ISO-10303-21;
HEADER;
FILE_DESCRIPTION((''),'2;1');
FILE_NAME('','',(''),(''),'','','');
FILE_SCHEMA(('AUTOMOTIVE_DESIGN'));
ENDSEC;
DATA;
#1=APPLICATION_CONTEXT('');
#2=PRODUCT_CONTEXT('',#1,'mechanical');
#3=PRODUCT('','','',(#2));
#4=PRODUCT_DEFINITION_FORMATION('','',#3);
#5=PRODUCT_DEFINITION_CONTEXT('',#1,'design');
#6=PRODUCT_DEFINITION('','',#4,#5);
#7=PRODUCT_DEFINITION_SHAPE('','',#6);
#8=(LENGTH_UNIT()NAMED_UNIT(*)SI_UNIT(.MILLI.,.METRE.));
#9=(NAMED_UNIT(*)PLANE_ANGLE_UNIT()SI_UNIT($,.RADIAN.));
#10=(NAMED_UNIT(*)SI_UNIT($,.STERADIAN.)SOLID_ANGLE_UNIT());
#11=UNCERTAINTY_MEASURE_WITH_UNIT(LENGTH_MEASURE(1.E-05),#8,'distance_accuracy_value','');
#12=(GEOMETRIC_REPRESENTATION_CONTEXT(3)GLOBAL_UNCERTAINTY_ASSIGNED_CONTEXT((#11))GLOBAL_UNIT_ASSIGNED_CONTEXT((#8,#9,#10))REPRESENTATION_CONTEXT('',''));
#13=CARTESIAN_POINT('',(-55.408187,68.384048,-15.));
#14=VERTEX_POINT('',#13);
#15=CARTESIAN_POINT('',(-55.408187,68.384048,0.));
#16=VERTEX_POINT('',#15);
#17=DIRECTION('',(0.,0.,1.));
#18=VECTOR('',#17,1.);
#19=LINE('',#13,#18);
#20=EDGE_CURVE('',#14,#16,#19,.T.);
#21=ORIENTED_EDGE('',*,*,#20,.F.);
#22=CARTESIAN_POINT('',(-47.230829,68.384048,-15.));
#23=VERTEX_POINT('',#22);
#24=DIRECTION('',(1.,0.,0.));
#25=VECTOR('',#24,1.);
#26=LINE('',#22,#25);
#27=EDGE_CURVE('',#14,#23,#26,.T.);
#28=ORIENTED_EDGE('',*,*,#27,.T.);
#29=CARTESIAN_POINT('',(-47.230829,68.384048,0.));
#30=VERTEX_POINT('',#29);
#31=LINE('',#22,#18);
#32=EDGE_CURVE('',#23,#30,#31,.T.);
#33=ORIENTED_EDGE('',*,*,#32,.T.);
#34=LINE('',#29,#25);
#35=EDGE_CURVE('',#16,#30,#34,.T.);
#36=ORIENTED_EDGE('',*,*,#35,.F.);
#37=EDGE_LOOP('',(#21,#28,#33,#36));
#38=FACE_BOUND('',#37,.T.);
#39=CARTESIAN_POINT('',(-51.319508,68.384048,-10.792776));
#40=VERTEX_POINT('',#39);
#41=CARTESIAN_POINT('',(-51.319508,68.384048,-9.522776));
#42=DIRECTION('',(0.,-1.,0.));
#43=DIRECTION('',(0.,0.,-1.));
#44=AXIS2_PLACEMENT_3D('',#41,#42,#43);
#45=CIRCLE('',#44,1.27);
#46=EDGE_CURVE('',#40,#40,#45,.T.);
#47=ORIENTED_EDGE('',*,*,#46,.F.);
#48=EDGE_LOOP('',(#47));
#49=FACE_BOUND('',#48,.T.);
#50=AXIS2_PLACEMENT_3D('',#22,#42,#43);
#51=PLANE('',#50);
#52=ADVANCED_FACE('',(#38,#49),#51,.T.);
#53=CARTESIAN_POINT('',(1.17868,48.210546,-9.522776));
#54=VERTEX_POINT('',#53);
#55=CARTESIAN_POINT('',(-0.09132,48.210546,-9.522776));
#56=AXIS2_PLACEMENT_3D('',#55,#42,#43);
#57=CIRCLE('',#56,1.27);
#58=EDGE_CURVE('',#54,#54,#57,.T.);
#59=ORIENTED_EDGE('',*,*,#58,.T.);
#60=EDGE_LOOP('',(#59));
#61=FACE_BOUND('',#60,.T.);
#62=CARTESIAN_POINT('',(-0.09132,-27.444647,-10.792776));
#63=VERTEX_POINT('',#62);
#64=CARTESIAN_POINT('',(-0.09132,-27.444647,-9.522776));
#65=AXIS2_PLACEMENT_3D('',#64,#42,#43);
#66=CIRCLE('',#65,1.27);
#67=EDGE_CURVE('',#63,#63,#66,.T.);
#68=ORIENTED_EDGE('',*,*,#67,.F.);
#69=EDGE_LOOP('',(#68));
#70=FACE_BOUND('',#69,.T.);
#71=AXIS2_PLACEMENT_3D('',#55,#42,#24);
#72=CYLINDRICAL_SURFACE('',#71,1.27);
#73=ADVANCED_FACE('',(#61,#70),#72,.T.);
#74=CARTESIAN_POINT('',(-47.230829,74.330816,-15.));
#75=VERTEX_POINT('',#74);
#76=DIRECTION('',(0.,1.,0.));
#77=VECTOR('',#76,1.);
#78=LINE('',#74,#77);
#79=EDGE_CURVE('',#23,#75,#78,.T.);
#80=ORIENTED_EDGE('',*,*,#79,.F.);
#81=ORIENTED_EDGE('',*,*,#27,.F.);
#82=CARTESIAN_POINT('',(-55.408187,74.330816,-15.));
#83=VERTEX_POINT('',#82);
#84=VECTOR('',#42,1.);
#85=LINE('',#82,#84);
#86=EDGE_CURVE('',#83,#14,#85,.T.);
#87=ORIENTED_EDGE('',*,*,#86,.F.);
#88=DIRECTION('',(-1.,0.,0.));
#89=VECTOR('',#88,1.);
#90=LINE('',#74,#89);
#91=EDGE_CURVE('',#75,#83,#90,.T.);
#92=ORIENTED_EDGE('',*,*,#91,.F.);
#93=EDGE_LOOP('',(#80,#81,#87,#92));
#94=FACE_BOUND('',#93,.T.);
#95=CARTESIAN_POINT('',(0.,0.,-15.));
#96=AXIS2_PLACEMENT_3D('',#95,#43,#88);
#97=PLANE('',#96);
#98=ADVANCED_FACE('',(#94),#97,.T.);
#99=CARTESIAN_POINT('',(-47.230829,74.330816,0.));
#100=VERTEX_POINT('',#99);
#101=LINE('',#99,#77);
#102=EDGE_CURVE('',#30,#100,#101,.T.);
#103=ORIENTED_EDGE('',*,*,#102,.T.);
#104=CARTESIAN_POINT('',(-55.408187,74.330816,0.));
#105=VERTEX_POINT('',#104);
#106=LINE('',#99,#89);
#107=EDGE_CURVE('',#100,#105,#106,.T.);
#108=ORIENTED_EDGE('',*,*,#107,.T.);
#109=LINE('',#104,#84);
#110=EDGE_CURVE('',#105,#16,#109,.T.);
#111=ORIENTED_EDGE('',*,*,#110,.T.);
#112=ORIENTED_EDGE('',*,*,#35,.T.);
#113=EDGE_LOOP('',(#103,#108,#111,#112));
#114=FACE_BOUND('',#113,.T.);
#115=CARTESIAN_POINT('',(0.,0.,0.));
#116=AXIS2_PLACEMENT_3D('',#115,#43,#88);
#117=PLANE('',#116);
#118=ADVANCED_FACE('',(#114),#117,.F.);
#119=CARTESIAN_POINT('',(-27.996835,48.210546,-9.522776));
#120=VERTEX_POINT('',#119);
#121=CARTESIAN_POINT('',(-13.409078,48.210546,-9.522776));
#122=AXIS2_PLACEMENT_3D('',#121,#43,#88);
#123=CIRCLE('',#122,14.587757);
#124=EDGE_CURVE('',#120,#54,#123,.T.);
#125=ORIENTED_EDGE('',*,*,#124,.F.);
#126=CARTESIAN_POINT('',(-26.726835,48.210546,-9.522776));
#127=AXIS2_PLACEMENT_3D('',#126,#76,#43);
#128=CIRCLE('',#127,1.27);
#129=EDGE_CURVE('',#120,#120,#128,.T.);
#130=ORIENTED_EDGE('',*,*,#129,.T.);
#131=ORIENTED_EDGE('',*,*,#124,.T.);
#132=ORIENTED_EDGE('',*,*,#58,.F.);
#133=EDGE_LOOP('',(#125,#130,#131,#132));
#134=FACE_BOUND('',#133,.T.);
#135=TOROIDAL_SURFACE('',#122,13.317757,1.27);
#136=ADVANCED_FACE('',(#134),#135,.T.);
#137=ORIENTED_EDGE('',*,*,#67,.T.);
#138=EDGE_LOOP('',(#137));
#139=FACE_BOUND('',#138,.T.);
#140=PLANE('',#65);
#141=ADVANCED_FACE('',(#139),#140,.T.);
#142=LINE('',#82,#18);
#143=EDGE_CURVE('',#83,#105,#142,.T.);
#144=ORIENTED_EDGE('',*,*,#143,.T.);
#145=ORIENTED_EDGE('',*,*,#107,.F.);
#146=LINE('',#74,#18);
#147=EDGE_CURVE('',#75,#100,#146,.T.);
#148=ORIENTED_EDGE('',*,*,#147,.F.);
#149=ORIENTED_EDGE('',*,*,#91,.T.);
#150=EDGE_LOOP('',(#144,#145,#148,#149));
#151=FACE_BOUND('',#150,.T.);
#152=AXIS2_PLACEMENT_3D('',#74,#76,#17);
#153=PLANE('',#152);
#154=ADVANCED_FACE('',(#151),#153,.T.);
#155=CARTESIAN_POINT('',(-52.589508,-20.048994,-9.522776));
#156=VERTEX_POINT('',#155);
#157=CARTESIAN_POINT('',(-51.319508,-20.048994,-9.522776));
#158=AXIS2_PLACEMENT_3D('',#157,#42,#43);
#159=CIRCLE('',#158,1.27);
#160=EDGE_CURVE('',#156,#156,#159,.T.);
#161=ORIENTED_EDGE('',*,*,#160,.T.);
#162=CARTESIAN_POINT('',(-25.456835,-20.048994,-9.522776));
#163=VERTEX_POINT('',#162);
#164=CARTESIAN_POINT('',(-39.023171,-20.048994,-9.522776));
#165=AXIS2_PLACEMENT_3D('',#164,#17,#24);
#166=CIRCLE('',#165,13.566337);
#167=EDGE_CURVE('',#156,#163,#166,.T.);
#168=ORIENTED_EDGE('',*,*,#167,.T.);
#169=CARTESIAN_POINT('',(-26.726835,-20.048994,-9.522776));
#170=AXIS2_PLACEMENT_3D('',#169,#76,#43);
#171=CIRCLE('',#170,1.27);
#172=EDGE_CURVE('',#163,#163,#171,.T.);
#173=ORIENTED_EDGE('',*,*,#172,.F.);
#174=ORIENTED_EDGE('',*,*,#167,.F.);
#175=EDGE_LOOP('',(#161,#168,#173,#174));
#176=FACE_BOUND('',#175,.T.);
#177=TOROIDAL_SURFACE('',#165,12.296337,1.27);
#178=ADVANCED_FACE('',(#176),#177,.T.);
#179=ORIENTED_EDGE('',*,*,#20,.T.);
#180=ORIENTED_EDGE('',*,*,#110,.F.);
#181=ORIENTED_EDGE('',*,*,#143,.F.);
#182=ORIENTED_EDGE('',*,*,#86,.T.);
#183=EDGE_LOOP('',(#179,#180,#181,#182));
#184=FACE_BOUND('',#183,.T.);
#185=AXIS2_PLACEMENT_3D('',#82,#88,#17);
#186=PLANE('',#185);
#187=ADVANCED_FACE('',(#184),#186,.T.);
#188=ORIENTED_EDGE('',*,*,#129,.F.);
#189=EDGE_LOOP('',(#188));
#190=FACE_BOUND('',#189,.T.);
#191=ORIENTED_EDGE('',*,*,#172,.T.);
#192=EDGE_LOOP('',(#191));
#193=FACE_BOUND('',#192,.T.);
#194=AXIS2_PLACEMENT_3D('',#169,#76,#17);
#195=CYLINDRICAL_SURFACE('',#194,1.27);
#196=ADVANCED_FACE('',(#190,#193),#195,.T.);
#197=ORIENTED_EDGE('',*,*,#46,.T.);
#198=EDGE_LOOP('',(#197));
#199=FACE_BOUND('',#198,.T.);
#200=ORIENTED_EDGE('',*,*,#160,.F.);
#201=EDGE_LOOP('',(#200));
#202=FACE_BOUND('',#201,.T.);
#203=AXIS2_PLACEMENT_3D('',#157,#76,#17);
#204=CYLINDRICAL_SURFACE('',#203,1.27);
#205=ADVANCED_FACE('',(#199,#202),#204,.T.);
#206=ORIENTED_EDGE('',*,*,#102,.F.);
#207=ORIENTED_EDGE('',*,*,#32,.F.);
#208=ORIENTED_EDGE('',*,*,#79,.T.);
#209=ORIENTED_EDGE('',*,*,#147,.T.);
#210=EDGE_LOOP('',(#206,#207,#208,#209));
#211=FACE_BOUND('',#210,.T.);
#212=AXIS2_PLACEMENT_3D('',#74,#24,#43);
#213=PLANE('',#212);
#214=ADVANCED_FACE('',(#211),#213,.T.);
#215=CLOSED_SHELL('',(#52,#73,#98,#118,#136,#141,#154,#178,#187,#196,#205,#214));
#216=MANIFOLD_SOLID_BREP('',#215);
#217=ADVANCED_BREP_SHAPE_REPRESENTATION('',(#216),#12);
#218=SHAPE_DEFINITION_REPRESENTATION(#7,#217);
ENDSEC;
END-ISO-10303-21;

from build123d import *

# Parameters (mm, degrees)
SKETCH1_W           = 8.177357898
SKETCH1_H           = 5.946767651
BOSS_EXTRUDE1_DEPTH = 15
SKETCH2_R           = 1.27


with BuildPart() as part:
    # Sketch1 → Boss-Extrude1 (new body)
    with BuildSketch(Plane.XY):
        with Locations((-51.319507827, 71.357432061)):
            Rectangle(SKETCH1_W, SKETCH1_H)
    extrude(amount=-BOSS_EXTRUDE1_DEPTH)

    # Sweep1: sweep along a path in Sketch3
    with BuildLine(Plane.XY.offset(-9.522776034)) as sweep1_path:
        Line((-51.319507827, 68.384048236), (-51.319507827, -20.048994445))
        ThreePointArc((-51.319507827, -20.048994445), (-39.023171295, -32.345330977), (-26.726834763, -20.048994445))
        Line((-26.726834763, -20.048994445), (-26.726834763, 48.210546245))
        ThreePointArc((-26.726834763, 48.210546245), (-13.409077555, 61.528303453), (-0.091320347, 48.210546245))
        Line((-0.091320347, 48.210546245), (-0.091320347, -27.444646548))
    # Sketch2 → Sweep1 (sweep)
    with BuildSketch(Plane.XZ.offset(-68.384048236)):
        with Locations((-51.319507827, -9.522776034)):
            Circle(SKETCH2_R)
    sweep(path=sweep1_path.line)


solid = part.part
